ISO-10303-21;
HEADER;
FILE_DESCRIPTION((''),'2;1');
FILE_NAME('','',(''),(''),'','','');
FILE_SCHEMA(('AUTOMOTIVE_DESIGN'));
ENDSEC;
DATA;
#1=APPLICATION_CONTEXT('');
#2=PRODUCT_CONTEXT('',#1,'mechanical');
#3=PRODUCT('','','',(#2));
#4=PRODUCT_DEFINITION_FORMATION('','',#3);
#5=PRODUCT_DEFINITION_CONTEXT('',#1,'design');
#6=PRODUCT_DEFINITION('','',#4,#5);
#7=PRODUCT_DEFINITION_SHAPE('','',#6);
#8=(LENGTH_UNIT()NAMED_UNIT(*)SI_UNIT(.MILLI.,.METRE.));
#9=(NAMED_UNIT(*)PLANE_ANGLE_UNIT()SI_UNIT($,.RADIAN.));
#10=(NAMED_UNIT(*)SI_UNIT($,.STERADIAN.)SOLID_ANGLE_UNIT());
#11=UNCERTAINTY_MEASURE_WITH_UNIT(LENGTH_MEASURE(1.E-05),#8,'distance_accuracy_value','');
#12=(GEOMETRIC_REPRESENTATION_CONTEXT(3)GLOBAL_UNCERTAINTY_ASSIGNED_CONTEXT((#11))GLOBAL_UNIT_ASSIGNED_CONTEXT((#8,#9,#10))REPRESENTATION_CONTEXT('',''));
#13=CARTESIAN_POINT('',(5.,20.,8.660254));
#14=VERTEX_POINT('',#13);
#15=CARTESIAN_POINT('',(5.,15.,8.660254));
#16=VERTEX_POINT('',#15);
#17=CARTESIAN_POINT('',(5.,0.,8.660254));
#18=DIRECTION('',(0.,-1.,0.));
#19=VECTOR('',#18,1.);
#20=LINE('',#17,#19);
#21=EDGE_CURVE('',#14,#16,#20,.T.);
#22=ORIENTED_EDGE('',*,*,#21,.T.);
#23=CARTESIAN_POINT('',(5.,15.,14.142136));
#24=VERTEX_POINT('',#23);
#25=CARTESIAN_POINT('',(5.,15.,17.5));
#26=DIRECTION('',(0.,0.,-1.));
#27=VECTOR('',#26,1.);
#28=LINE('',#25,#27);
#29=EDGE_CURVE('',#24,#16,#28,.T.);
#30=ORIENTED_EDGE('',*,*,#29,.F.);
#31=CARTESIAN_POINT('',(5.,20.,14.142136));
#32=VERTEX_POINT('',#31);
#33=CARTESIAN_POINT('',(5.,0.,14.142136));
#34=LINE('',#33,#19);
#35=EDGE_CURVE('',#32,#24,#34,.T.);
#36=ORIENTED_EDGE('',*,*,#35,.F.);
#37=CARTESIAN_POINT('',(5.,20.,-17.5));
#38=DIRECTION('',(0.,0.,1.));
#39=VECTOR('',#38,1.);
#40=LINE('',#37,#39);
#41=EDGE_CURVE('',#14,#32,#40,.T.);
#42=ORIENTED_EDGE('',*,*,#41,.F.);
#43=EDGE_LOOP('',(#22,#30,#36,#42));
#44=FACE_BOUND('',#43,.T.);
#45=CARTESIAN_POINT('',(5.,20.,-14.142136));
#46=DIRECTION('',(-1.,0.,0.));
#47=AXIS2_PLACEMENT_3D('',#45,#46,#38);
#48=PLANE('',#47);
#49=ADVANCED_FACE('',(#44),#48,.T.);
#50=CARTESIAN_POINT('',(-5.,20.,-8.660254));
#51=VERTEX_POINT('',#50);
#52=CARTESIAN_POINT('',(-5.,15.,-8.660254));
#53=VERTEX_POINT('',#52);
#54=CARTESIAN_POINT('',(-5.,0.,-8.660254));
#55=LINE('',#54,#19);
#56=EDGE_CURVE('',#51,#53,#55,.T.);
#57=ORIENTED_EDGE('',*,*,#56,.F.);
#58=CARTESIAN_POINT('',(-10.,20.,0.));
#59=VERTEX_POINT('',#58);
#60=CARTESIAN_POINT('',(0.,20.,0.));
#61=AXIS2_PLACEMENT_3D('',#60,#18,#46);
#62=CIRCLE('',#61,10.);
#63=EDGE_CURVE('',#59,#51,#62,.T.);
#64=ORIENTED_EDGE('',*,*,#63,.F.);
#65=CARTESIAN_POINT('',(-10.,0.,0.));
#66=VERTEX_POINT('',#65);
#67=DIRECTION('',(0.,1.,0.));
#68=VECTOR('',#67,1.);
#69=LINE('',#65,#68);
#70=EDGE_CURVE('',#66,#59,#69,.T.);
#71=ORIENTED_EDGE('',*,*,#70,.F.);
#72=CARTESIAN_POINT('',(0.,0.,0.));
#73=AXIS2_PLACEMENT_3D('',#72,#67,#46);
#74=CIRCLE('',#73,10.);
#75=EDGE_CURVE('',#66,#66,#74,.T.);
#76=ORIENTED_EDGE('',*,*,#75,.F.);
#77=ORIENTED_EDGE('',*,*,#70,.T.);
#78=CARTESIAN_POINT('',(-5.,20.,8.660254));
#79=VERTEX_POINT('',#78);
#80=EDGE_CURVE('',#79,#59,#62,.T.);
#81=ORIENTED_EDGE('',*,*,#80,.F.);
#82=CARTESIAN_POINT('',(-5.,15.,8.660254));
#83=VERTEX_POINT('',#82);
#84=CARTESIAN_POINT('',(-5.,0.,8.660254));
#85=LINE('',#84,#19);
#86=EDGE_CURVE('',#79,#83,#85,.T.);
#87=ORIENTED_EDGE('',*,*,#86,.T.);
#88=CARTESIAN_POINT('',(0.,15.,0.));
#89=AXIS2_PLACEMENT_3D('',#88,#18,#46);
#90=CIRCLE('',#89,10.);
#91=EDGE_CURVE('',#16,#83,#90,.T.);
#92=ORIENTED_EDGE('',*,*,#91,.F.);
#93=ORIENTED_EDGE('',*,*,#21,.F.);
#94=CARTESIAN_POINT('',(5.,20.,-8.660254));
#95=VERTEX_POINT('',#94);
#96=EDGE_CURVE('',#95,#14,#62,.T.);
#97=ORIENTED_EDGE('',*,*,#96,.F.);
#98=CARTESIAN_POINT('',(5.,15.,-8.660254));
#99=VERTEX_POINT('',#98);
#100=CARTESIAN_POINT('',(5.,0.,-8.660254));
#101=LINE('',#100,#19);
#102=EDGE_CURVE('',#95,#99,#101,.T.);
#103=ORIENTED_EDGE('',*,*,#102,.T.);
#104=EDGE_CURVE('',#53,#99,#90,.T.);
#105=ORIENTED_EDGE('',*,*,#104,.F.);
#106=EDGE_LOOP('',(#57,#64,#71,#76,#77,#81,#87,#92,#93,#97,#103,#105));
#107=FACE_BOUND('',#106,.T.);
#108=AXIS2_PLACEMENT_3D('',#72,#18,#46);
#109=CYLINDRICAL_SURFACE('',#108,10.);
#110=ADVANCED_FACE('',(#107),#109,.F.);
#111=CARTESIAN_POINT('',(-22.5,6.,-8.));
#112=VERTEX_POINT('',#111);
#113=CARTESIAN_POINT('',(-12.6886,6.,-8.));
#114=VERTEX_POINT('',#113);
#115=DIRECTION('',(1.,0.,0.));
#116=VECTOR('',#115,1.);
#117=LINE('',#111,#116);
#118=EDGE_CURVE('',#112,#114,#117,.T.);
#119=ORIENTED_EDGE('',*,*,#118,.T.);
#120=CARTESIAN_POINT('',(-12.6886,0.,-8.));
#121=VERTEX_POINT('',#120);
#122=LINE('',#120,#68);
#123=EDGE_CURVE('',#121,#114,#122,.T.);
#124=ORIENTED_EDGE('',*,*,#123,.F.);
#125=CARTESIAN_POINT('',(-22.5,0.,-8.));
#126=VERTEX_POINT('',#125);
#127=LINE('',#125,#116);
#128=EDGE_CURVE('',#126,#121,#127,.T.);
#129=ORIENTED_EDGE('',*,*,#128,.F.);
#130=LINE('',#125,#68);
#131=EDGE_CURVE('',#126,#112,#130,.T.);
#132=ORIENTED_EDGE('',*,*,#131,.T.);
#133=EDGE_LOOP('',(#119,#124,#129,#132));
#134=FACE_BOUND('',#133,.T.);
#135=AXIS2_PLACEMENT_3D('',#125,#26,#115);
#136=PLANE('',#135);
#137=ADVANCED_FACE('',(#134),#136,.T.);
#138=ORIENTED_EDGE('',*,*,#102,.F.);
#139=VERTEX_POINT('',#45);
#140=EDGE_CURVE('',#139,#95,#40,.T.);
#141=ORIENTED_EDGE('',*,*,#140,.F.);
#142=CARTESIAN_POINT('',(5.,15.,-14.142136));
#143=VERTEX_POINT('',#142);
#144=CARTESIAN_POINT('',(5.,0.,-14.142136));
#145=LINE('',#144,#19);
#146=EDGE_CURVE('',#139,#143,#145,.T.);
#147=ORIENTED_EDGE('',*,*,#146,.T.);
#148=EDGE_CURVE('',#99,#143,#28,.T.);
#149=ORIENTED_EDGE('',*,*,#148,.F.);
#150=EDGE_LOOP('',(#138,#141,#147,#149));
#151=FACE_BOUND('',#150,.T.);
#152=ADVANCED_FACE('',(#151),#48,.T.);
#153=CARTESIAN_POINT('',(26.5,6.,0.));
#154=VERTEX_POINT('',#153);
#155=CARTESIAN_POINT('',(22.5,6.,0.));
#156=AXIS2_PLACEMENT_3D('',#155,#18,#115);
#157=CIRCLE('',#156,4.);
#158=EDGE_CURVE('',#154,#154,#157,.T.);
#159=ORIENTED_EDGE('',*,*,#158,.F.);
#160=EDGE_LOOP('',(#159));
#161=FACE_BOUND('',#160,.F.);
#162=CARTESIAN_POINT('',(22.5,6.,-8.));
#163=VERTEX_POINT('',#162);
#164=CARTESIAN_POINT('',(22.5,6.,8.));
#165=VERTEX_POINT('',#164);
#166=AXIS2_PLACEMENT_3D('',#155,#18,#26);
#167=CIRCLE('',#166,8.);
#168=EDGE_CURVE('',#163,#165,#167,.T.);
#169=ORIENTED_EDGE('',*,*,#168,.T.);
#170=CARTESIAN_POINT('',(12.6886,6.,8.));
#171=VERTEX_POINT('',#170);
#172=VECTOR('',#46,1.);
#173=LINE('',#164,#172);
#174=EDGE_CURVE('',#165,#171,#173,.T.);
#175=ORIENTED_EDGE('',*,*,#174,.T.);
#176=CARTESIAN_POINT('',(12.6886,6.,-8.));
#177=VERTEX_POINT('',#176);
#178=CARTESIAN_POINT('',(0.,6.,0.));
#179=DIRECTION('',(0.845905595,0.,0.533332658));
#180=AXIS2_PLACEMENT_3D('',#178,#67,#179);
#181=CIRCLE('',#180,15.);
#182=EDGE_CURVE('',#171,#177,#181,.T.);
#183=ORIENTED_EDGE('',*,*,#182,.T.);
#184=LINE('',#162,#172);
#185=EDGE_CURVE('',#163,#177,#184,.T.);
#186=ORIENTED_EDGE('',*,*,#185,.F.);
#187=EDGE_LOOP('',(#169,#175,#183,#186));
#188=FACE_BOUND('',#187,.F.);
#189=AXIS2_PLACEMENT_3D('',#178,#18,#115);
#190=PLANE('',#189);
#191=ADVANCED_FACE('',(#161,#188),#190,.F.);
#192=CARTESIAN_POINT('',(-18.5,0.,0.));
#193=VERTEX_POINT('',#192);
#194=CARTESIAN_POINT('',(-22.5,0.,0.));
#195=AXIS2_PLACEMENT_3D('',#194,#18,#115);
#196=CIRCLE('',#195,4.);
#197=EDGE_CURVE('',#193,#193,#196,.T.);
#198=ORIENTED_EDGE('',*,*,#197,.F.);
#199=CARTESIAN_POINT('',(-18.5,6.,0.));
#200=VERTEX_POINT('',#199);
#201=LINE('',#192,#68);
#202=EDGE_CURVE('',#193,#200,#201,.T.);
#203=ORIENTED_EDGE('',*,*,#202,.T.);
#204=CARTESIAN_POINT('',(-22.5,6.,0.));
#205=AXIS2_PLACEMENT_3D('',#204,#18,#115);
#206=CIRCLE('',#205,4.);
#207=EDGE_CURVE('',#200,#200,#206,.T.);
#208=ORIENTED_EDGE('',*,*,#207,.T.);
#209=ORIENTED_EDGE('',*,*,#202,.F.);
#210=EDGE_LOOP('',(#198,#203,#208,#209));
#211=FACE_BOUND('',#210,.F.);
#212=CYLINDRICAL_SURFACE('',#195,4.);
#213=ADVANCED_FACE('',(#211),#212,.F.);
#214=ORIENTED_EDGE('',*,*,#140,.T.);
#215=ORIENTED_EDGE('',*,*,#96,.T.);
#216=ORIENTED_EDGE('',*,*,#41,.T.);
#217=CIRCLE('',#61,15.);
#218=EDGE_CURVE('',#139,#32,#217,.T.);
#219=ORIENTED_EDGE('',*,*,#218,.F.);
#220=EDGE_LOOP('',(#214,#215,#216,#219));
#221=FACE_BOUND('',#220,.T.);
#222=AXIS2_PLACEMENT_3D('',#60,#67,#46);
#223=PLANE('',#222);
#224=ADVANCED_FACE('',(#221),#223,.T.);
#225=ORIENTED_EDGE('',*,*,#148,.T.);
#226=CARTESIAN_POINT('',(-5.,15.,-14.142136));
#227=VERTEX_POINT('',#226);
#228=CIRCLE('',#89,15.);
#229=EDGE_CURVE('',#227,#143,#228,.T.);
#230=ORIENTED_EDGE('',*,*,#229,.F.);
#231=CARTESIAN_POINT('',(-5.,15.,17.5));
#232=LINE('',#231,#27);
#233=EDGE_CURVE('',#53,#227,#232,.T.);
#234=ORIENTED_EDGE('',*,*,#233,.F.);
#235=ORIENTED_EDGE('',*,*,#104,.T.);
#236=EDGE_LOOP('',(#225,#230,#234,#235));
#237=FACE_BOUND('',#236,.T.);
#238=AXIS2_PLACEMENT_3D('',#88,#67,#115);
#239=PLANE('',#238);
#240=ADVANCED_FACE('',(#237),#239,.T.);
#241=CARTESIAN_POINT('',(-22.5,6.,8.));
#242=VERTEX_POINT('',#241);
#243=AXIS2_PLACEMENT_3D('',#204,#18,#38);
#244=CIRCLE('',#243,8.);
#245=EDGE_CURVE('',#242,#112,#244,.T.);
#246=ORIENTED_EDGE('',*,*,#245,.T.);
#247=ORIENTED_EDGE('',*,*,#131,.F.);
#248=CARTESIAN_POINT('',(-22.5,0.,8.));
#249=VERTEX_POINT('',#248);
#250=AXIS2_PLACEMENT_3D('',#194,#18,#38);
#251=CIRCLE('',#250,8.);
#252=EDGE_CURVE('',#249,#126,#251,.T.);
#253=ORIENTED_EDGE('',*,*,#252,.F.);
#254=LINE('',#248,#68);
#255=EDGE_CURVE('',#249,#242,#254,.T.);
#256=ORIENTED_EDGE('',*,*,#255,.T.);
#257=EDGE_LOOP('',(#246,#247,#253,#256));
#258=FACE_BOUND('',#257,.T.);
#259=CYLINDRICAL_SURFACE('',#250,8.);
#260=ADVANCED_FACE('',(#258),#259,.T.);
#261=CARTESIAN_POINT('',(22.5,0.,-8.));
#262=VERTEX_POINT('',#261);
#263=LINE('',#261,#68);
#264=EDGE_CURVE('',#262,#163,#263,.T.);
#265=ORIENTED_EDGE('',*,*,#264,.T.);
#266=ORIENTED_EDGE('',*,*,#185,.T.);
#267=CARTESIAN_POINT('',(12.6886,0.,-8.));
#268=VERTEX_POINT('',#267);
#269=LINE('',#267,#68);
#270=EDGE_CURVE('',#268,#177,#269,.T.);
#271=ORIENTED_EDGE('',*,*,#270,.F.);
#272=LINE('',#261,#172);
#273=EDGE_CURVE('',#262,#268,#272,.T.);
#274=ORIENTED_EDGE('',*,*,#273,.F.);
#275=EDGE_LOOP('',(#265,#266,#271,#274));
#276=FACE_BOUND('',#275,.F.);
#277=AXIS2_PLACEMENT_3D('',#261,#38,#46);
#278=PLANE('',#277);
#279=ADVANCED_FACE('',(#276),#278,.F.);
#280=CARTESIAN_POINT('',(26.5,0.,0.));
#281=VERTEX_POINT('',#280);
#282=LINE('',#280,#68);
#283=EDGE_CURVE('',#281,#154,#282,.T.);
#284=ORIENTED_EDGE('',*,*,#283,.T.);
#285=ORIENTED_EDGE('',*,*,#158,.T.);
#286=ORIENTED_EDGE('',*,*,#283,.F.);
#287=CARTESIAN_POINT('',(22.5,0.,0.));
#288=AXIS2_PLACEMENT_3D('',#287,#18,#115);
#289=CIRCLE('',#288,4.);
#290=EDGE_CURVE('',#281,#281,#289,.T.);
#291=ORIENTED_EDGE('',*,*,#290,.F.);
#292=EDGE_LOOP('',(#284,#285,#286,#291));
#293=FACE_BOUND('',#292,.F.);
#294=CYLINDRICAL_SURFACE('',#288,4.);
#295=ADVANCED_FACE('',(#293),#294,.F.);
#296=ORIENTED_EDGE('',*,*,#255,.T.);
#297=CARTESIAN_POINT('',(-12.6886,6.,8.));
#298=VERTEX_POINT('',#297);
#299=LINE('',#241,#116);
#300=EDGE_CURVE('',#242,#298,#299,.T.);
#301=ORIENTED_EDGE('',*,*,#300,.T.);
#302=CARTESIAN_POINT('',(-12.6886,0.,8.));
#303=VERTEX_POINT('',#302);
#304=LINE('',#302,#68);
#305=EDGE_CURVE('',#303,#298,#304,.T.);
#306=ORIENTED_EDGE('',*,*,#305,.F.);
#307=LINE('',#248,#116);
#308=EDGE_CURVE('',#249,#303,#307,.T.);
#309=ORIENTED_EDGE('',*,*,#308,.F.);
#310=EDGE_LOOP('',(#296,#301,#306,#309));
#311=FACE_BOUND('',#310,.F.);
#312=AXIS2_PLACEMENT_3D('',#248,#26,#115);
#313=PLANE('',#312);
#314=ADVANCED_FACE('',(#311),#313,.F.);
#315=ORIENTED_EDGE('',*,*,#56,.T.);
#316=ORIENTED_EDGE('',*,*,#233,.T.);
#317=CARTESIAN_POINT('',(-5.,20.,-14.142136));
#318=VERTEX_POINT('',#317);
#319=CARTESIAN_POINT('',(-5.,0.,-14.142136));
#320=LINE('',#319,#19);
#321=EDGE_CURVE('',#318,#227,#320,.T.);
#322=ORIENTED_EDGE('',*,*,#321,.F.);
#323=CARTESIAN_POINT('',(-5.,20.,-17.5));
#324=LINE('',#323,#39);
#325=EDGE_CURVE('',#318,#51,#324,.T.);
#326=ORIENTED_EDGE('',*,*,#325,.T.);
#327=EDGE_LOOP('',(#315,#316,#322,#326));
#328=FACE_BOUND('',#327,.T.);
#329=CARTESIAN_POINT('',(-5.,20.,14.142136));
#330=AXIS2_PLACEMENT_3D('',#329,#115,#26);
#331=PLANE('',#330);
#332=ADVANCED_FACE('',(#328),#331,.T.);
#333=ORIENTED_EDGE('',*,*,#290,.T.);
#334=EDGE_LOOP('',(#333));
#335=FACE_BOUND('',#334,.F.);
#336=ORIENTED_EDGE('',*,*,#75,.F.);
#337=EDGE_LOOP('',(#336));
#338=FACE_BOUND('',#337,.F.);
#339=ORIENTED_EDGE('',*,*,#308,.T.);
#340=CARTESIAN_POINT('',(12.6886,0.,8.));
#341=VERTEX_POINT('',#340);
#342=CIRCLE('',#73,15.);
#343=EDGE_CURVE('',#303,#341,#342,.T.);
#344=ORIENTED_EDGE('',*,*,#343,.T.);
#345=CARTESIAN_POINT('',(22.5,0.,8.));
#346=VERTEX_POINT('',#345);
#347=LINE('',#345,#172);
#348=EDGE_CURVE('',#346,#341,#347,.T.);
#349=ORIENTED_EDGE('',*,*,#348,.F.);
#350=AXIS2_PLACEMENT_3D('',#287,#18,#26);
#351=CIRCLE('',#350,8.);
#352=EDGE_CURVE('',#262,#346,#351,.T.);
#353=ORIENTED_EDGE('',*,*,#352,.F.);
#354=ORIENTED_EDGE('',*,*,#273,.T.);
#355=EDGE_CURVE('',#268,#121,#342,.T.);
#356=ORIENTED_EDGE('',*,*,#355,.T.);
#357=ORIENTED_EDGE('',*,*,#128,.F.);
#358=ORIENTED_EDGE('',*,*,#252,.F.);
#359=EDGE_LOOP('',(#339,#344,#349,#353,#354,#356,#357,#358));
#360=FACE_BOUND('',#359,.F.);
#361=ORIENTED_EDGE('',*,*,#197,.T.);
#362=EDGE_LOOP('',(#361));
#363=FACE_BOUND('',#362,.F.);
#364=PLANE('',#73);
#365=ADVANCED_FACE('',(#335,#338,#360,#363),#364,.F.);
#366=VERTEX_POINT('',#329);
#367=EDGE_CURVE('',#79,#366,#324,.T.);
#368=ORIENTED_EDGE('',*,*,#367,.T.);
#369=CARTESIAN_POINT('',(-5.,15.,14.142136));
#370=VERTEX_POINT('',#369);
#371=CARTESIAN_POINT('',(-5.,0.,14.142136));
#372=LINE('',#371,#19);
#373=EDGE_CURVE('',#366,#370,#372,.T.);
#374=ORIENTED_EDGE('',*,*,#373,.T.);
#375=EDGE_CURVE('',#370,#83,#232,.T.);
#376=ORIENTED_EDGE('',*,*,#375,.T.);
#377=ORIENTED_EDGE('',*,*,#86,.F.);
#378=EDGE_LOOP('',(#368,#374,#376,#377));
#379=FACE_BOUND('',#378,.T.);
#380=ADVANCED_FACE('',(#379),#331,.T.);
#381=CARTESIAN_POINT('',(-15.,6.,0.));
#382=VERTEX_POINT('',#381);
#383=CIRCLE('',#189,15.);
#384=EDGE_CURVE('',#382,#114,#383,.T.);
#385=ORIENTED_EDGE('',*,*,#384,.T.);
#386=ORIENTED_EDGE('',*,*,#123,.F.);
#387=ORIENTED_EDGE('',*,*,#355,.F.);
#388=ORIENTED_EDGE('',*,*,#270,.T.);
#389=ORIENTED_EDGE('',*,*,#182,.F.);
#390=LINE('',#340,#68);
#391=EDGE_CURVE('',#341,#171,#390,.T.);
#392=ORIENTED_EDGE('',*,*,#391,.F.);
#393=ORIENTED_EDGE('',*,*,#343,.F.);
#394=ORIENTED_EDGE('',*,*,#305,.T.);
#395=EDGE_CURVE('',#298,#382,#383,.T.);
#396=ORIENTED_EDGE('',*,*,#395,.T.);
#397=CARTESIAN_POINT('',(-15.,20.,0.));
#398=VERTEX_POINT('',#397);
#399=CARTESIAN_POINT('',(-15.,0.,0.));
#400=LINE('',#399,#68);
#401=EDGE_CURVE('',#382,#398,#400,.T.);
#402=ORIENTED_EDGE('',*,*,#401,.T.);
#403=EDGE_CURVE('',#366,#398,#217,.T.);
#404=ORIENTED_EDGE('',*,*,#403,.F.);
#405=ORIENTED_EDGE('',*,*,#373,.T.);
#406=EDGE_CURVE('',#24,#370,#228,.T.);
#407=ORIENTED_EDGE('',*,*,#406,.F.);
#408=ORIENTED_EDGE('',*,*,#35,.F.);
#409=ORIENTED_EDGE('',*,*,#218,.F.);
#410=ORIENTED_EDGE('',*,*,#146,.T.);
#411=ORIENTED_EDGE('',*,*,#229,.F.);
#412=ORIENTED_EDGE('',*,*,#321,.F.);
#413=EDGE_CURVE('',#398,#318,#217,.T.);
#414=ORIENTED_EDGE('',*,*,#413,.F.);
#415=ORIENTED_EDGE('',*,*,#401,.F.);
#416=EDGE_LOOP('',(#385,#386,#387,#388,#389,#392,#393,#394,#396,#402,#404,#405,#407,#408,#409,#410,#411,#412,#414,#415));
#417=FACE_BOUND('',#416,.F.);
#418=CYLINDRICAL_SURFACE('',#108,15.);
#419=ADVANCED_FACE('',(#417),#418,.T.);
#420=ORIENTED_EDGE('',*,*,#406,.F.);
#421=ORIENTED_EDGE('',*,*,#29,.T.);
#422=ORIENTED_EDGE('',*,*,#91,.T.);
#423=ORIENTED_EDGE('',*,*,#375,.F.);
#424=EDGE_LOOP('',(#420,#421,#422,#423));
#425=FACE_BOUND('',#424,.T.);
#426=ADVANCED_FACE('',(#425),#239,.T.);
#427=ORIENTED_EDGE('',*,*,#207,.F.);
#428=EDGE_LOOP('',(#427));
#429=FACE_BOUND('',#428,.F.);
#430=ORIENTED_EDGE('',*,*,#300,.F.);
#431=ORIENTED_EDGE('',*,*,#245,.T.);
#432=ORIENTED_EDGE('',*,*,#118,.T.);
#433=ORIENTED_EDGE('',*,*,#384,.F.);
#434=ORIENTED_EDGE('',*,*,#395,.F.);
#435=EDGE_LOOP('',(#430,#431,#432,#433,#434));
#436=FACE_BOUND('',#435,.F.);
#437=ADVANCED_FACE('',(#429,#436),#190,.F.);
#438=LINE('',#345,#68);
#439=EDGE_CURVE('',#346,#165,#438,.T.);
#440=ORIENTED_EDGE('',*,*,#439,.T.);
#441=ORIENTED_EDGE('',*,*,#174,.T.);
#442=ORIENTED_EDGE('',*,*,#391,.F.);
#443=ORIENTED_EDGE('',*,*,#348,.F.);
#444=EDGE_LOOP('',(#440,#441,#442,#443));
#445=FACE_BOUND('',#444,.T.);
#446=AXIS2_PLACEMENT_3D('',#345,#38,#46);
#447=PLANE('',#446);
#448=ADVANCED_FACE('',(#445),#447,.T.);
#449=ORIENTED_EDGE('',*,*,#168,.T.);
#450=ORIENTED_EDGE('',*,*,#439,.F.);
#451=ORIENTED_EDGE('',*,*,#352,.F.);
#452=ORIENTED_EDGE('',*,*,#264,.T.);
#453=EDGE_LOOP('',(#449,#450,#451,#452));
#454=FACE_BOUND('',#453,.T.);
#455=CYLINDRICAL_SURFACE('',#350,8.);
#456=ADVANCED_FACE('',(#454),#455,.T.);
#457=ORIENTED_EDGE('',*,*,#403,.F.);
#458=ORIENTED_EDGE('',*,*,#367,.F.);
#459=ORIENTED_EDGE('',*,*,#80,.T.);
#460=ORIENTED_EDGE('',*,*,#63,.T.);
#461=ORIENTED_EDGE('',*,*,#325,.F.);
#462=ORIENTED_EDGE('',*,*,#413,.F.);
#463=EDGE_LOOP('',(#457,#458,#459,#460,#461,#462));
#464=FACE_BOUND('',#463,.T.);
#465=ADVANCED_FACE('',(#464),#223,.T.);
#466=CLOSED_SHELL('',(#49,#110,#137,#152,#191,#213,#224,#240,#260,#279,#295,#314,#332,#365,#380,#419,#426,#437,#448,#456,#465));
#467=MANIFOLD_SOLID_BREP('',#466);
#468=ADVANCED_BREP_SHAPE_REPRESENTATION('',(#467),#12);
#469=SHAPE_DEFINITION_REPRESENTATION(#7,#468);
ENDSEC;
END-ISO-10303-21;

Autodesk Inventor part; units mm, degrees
ref_plane "YZ Plane" through (0, 0, 0) normal (1, 0, 0) x (0, 1, 0)
ref_plane "XZ Plane" through (0, 0, 0) normal (0, 1, 0) x (-1, 0, 0)
ref_plane "XY Plane" through (0, 0, 0) normal (0, 0, 1) x (1, 0, 0)
sketch "草图1" plane through (0, 0, 0) normal (0, 1, 0) x (-1, 0, 0)
  circle A0 centre (0, 0) radius 15
  circle A1 centre (0, 0) radius 10
  line L0 (0, 20.4744) -> (0, -21.3556)
  dimension "d0" = 30
  dimension "d1" = 20
extrude "拉伸1" add sketch "草图1" along normal blind 20 contours A0 L0 A1 | L0 A1 A0
sketch "草图2" plane through (0, 20, 0) normal (0, 1, 0) x (1, 0, 0)
  circle A0 centre (0, 0) radius 15 projected
  line L0 (-5, 17.5) -> (5, 17.5)
  line L1 (5, 17.5) -> (5, -17.5)
  line L2 (5, -17.5) -> (-5, -17.5)
  line L3 (-5, -17.5) -> (-5, 17.5)
  line L4 (-5, 17.5) -> (5, -17.5) construction
  line L5 (5, 17.5) -> (-5, -17.5) construction
  dimension "d5" = 10
  dimension "d6" = 35
extrude "拉伸2" cut sketch "草图2" against normal blind 5 contours L1 A0 L3 | A0 L3 L0 L1 | L1 L2 L3 A0
sketch "草图3" plane through (0, 0, 0) normal (0, -1, 0) x (1, 0, 0)
  circle A0 centre (0, 0) radius 10 projected
  circle A1 centre (0, 0) radius 15 projected
  arc A2 (-22.5, 8) -> (-22.5, -8) centre (-22.5, 0) ccw
  line L0 (-22.5, 8) -> (-12.6886, 8)
  line L1 (-22.5, -8) -> (-12.6886, -8)
  circle A3 centre (22.5, 0) radius 4
  circle A4 centre (-22.5, 0) radius 4
  line L2 (0, 19.1751) -> (0, -20.0629)
  arc A5 (22.5, -8) -> (22.5, 8) centre (22.5, 0) ccw
  line L3 (22.5, 8) -> (12.6886, 8)
  line L4 (22.5, -8) -> (12.6886, -8)
  dimension "d10" = 16
  dimension "d11" = 8
  dimension "d12" = 16
  dimension "d13" = 45
  dimension "d14" = 22.5
extrude "拉伸3" add sketch "草图3" against normal blind 6 contours L3 A5 L4 A1 | A1 L1 A2 L0
